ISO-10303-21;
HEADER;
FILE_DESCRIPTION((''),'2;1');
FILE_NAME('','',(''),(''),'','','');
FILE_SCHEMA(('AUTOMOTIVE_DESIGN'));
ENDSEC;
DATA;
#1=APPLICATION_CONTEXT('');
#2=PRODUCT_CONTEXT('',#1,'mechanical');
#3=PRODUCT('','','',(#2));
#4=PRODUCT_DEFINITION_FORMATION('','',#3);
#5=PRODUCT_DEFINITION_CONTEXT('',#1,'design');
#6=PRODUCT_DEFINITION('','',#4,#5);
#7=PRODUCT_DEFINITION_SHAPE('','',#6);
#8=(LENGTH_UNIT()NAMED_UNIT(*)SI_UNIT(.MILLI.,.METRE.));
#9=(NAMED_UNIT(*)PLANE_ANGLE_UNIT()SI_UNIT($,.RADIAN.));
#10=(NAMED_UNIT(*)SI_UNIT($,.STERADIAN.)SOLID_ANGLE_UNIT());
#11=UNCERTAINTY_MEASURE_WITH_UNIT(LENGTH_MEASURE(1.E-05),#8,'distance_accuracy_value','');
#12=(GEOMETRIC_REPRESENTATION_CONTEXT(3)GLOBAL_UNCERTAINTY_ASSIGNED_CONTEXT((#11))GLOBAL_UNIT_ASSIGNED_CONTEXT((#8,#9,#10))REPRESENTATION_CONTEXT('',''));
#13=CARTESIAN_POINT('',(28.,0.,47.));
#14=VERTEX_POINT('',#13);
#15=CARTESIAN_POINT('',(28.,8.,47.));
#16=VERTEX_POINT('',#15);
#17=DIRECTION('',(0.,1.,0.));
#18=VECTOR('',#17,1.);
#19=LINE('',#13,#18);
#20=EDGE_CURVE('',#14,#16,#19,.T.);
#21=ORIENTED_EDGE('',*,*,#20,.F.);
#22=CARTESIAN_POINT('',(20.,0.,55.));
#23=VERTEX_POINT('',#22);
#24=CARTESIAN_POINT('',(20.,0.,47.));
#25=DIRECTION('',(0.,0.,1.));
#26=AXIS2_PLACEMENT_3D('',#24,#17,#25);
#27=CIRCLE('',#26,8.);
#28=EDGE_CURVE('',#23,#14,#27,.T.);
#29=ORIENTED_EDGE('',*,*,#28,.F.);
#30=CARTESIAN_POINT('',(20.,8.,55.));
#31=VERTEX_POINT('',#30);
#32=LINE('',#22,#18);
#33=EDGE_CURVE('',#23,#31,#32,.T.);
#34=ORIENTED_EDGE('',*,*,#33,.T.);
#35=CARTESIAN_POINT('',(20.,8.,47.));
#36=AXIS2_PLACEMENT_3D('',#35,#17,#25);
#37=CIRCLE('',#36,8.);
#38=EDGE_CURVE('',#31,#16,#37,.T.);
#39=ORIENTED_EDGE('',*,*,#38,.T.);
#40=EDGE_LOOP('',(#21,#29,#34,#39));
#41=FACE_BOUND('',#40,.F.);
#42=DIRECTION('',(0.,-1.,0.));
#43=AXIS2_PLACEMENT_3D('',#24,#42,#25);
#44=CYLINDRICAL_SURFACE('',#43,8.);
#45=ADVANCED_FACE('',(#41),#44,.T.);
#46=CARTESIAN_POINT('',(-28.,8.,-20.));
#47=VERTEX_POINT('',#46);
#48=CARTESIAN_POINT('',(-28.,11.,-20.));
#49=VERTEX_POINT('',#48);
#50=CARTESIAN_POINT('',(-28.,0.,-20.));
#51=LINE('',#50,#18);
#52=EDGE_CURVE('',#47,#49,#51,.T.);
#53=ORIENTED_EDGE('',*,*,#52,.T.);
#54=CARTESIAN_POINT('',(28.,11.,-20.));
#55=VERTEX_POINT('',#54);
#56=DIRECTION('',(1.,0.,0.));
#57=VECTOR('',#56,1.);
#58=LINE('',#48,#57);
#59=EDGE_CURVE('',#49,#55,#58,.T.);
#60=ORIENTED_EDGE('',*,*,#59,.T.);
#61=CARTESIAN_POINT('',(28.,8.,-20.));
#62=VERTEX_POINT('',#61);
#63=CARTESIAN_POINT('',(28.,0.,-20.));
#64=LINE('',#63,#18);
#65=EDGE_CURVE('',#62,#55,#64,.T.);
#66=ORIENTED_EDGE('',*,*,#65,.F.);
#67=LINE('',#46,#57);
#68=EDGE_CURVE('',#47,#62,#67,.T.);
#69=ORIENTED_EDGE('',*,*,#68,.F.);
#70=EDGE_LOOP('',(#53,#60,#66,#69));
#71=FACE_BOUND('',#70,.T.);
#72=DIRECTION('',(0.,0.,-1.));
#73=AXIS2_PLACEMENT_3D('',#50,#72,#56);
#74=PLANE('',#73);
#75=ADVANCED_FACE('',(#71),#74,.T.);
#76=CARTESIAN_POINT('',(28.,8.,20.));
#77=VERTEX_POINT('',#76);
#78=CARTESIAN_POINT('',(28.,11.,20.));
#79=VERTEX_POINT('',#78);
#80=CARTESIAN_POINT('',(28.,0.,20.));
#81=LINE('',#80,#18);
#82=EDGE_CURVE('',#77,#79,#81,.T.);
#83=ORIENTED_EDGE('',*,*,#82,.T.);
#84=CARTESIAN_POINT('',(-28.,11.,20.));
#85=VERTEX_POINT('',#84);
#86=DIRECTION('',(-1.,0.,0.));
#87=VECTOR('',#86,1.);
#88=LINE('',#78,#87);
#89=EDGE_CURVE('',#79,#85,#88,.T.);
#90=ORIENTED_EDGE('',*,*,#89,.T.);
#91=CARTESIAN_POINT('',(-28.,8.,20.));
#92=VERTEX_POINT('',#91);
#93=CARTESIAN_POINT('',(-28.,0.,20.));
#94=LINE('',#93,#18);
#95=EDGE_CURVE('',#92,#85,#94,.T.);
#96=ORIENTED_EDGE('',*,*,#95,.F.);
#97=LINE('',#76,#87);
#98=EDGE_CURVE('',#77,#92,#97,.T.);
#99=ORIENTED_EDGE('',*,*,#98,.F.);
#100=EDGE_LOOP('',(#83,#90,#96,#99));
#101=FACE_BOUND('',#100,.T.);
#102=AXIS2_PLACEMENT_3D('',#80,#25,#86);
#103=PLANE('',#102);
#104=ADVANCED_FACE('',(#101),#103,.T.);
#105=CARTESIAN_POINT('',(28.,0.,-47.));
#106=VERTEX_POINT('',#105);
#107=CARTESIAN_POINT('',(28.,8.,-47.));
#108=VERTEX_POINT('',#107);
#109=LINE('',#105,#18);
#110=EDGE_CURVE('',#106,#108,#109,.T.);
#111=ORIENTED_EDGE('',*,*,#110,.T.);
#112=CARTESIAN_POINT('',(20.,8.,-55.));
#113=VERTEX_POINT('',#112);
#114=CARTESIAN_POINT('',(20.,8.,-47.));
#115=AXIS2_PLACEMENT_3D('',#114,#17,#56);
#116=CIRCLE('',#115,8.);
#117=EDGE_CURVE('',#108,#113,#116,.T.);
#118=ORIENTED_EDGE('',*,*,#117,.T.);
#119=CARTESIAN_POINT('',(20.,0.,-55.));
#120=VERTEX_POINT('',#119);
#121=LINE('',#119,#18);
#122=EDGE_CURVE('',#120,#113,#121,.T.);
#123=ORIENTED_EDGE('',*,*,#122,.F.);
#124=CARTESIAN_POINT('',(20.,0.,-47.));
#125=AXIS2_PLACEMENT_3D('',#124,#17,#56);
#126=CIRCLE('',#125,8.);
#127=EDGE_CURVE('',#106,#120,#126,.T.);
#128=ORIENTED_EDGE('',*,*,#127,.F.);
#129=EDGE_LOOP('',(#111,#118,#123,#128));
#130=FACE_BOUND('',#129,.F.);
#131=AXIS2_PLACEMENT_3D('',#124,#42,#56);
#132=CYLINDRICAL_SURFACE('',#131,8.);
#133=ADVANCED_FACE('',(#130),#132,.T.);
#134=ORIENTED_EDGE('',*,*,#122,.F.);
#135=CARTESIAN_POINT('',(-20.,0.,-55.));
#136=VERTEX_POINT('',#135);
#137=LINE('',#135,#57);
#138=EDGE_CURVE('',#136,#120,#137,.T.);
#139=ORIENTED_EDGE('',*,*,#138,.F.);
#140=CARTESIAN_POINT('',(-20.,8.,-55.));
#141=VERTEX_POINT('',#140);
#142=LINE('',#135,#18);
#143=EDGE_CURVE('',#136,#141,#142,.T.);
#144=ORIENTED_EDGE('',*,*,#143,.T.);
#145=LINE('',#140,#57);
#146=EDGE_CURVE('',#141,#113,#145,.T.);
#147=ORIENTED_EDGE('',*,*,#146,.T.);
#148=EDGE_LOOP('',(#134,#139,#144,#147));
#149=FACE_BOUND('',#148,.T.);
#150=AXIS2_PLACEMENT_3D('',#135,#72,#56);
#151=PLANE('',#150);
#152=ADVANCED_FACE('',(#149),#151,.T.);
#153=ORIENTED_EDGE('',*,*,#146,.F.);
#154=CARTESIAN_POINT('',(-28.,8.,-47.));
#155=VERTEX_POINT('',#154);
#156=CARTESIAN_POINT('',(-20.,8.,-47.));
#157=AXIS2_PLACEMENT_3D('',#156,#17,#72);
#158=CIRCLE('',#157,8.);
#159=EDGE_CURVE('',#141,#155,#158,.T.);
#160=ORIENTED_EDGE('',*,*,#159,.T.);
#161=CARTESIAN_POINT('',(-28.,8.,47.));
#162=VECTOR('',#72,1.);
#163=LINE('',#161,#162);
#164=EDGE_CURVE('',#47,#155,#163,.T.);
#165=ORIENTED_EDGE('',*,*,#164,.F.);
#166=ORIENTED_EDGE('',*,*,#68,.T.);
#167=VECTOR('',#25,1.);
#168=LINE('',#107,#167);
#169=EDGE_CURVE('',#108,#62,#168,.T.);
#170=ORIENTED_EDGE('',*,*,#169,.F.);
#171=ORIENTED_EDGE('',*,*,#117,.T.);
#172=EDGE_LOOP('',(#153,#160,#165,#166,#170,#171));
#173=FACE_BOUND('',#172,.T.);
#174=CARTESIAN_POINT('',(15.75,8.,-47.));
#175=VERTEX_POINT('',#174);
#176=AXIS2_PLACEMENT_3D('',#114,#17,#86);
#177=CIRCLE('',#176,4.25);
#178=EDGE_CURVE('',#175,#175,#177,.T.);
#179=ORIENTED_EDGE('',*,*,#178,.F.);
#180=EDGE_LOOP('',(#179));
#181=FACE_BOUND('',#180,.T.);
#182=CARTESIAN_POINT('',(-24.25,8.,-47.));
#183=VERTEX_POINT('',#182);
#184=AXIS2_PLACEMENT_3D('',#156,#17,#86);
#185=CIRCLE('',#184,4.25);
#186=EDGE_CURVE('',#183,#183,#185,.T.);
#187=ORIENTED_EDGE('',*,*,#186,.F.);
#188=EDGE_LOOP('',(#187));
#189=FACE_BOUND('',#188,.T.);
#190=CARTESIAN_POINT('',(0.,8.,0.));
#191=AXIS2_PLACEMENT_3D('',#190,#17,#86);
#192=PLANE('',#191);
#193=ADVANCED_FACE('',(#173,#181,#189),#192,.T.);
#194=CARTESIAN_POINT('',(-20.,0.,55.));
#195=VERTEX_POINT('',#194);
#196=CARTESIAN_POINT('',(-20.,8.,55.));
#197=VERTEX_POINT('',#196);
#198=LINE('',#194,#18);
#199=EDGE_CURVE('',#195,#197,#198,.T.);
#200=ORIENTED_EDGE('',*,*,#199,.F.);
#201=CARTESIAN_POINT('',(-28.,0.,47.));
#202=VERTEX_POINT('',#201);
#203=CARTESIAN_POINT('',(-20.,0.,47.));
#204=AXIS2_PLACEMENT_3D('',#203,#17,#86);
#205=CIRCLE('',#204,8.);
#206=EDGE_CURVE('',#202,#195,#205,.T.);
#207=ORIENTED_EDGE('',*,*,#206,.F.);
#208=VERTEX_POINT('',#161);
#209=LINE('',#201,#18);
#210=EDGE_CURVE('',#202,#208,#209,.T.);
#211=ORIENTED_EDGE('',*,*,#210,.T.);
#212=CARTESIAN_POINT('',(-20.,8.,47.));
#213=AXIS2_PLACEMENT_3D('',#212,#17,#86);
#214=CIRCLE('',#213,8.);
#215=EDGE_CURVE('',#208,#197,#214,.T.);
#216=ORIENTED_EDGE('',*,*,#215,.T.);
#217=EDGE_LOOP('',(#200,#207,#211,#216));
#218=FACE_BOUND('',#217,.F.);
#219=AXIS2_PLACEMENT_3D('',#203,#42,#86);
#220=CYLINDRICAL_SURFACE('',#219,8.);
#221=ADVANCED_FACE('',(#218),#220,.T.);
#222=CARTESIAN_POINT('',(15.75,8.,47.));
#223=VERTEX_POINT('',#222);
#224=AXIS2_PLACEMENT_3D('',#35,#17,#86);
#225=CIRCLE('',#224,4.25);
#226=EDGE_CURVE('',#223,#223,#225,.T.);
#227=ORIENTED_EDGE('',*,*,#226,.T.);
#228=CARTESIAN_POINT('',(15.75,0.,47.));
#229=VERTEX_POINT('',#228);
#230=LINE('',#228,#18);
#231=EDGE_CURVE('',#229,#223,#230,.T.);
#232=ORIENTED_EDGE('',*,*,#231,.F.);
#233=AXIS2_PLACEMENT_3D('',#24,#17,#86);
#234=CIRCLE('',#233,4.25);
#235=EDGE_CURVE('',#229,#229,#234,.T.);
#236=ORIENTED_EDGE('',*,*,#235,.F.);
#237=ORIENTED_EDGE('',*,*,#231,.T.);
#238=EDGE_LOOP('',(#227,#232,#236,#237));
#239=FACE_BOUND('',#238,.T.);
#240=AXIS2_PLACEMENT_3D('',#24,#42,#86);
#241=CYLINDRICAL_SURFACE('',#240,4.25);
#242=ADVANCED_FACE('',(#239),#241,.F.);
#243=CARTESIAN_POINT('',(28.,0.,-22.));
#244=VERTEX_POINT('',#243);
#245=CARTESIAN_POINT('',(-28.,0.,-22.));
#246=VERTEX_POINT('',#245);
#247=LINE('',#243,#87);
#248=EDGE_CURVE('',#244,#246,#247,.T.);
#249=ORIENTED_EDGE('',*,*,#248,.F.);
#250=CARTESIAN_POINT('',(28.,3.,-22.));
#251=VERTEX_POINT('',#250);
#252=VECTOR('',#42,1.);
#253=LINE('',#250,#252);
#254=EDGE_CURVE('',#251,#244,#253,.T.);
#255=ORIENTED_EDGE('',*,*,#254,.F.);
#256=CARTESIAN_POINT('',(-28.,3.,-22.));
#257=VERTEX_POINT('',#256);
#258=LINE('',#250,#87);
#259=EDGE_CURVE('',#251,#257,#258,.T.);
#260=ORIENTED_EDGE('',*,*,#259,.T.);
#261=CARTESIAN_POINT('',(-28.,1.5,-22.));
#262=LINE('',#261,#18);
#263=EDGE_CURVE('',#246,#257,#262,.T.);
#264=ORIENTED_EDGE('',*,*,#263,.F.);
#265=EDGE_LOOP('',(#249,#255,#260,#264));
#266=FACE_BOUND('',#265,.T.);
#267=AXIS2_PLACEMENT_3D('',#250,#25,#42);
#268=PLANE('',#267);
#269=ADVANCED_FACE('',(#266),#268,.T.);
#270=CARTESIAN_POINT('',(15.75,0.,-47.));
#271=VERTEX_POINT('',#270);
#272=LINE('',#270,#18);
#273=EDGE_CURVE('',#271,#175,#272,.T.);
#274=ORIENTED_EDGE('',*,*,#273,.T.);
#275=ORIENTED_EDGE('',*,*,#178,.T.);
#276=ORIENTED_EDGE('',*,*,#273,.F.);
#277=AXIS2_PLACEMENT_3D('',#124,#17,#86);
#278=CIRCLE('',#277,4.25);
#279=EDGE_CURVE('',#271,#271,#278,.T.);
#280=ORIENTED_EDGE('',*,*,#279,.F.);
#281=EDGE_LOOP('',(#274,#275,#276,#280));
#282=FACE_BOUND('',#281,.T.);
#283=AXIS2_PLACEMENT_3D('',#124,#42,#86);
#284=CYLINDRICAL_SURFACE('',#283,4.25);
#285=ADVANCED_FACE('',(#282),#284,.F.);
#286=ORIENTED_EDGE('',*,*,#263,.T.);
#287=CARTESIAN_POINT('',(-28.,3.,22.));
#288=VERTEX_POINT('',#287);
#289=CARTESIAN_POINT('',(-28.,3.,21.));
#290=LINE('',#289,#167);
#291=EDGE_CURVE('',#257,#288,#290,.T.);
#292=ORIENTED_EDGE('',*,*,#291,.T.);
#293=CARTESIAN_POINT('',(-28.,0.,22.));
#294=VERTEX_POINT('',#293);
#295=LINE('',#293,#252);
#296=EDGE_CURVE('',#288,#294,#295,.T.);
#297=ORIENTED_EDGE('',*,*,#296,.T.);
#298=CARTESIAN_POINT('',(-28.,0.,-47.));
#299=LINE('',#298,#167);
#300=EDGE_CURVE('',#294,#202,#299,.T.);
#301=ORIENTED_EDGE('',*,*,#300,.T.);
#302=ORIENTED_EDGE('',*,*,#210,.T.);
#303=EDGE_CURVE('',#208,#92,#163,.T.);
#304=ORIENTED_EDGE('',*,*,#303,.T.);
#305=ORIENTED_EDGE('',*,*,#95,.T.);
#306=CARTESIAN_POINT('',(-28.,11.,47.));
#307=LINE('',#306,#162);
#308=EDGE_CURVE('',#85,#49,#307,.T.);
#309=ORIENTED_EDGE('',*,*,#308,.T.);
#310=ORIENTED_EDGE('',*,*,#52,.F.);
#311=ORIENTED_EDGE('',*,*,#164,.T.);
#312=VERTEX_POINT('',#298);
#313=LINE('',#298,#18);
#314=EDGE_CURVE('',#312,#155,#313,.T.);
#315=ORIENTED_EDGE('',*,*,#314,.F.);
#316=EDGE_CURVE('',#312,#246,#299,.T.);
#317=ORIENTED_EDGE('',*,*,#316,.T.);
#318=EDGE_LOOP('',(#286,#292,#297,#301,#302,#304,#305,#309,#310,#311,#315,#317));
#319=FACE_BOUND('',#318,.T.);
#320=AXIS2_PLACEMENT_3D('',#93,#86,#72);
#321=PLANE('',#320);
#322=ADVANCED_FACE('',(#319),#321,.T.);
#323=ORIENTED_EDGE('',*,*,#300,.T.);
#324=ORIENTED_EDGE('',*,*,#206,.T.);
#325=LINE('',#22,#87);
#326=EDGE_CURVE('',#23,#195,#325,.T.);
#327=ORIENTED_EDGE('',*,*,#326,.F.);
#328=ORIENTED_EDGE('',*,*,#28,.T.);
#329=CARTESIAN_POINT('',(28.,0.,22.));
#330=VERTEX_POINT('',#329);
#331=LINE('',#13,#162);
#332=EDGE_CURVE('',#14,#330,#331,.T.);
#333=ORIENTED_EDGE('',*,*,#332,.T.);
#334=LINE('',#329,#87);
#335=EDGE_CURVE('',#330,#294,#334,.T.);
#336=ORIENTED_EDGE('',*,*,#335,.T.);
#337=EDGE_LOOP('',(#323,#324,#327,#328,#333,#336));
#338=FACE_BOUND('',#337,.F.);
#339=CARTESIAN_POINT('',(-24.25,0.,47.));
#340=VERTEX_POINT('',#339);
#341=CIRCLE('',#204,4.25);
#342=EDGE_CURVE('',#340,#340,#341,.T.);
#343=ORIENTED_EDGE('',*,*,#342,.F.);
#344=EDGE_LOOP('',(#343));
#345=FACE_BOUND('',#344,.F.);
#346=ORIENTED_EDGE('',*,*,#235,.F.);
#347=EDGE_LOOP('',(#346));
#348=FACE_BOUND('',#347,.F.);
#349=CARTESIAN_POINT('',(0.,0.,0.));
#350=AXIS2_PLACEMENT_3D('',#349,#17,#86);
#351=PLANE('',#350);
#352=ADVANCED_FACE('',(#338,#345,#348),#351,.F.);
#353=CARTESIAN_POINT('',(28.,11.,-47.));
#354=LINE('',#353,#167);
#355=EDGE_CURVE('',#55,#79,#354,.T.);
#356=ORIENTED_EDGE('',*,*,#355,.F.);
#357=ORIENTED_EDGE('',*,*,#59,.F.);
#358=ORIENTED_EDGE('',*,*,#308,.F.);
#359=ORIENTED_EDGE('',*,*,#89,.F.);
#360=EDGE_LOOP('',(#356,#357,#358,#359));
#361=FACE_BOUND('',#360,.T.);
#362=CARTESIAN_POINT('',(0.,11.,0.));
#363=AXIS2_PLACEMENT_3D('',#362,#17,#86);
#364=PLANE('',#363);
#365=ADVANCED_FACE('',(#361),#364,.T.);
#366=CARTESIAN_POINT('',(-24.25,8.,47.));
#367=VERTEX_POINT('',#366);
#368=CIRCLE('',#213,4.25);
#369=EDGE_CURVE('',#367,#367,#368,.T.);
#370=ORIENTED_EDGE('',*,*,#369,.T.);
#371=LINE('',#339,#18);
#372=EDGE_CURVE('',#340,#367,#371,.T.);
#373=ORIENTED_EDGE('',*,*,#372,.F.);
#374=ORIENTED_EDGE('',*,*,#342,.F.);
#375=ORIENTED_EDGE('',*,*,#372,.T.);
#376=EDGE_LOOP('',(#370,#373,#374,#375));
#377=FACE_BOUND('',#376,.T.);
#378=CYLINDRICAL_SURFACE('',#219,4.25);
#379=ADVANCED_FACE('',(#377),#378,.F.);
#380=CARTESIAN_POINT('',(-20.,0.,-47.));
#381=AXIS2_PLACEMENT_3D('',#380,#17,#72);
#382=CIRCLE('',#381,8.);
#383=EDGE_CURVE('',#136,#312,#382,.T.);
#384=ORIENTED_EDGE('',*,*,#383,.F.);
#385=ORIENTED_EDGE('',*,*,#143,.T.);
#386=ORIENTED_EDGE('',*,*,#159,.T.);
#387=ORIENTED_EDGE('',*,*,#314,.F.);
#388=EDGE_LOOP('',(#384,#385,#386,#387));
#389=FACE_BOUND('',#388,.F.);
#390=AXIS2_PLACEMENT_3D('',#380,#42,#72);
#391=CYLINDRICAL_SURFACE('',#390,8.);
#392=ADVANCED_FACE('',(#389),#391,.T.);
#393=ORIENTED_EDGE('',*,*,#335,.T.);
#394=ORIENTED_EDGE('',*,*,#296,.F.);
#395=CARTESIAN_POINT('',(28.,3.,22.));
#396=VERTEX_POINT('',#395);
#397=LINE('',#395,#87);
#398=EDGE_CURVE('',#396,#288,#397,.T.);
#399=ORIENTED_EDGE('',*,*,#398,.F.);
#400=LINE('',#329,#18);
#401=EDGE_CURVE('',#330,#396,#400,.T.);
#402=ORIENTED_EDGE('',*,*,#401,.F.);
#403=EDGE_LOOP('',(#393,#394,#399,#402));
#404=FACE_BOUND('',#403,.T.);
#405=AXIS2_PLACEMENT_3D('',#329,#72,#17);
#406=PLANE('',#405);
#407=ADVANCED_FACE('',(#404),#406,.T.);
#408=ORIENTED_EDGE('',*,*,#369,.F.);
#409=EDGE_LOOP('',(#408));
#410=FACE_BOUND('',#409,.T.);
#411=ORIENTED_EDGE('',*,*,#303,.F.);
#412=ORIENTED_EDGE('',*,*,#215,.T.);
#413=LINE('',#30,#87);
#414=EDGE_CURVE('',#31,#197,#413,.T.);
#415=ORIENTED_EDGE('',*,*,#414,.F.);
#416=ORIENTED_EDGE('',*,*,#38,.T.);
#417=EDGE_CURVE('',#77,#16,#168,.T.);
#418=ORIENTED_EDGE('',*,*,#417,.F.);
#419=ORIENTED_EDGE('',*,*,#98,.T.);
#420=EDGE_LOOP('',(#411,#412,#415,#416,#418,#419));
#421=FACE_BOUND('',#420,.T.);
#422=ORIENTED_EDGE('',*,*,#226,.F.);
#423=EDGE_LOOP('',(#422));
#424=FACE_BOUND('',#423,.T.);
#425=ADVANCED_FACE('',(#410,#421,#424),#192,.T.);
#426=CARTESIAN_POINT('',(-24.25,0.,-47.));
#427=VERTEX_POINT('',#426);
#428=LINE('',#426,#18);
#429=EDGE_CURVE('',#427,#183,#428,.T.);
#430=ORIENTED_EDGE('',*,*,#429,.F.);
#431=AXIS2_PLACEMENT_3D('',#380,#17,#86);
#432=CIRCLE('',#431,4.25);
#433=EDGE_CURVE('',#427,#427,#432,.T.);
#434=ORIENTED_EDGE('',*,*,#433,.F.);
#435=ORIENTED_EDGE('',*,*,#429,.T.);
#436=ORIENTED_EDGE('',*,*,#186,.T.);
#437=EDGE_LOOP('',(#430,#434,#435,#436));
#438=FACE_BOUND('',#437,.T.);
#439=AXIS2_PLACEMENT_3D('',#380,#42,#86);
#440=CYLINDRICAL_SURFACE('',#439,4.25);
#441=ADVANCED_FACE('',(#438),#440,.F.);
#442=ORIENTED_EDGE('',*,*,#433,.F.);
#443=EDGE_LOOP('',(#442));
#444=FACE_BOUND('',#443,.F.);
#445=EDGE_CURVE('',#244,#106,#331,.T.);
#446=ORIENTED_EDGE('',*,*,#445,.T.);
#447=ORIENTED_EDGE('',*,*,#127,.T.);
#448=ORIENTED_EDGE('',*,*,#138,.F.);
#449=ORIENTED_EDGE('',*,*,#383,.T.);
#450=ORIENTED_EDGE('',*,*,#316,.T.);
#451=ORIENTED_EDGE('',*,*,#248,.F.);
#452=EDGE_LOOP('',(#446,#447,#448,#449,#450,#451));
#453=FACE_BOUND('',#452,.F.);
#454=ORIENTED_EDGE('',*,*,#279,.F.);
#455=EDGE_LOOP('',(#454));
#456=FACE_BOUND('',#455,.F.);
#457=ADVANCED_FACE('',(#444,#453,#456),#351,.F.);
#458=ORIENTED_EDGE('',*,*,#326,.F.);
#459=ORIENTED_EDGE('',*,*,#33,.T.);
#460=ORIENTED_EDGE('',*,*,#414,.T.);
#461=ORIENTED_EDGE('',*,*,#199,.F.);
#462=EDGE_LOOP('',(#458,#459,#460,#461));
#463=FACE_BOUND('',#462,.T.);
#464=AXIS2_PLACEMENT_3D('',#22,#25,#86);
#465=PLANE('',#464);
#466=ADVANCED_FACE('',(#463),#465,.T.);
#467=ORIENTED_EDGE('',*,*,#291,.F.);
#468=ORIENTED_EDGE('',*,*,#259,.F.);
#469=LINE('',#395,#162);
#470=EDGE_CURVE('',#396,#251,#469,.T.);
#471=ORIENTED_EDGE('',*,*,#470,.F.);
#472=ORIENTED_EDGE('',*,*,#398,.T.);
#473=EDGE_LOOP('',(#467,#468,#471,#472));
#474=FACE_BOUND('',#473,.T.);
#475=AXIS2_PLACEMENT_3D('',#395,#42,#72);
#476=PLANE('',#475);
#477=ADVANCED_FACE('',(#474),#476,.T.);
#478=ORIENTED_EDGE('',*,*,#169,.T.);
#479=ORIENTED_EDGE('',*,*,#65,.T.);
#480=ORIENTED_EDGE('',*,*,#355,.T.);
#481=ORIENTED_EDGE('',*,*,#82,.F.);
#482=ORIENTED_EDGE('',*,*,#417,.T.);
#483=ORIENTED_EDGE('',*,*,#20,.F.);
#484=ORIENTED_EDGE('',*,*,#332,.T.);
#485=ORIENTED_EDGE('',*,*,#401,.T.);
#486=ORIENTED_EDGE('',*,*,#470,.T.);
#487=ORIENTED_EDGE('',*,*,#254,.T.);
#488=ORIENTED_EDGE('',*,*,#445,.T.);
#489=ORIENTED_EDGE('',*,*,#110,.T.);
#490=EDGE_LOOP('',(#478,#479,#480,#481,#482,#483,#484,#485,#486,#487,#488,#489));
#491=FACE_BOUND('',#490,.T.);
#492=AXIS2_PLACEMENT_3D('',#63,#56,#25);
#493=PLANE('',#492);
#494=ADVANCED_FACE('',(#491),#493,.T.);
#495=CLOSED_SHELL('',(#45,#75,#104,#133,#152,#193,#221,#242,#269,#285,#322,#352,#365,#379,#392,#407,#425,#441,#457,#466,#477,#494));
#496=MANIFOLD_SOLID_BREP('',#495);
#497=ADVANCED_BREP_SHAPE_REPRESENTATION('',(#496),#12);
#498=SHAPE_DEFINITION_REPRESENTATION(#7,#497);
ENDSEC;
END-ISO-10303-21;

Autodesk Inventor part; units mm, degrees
ref_plane "YZ Plane" through (0, 0, 0) normal (1, 0, 0) x (0, 1, 0)
ref_plane "XZ Plane" through (0, 0, 0) normal (0, 1, 0) x (-1, 0, 0)
ref_plane "XY Plane" through (0, 0, 0) normal (0, 0, 1) x (1, 0, 0)
sketch "Boceto1" plane through (0, 0, 0) normal (0, 1, 0) x (-1, 0, 0)
  line L0 (-20, 55) -> (20, 55)
  line L1 (28, 47) -> (28, -47)
  line L2 (20, -55) -> (-20, -55)
  line L3 (-28, -47) -> (-28, 47)
  line L4 (-28, 55) -> (28, -55) construction
  line L5 (28, 55) -> (-28, -55) construction
  arc A0 (28, 47) -> (20, 55) centre (20, 47) ccw
  arc A1 (20, -55) -> (28, -47) centre (20, -47) ccw
  arc A2 (-28, -47) -> (-20, -55) centre (-20, -47) ccw
  arc A3 (-20, 55) -> (-28, 47) centre (-20, 47) ccw
  circle A4 centre (20, 47) radius 4.25
  circle A5 centre (-20, 47) radius 4.25
  circle A6 centre (20, -47) radius 4.25
  circle A7 centre (-20, -47) radius 4.25
  line L6 (-28, 20) -> (28, 20)
  line L7 (28, 20) -> (28, -20)
  line L8 (28, -20) -> (-28, -20)
  line L9 (-28, -20) -> (-28, 20)
  line L10 (-28, 20) -> (28, -20) construction
  line L11 (28, 20) -> (-28, -20) construction
  point P0 (0, 0)
  dimension "d0" = 56
  dimension "d1" = 110
  dimension "d2" = 8
  dimension "d3" = 8.5
  dimension "d4" = 8.5
  dimension "d5" = 8.5
  dimension "d6" = 8.5
  dimension "d7" = 56
  dimension "d8" = 40
extrude "Extrusión1" add sketch "Boceto1" along normal blind 8 contours L0 A0 L1 L6 L3 A3 | L8 L1 A1 L2 A2 L3
extrude "Extrusión2" add sketch "Boceto1" along normal blind 11 contours L6 L1 L8 L3
sketch "Boceto2" plane through (28, 0, 47) normal (1, 0, 0) x (0, 0, -1)
  line L0 (25, 3) -> (69, 3)
  line L1 (69, 3) -> (69, 0)
  line L2 (69, 0) -> (25, 0)
  line L3 (25, 0) -> (25, 3)
  line L4 (0, 0) -> (94, 0) projected
  point P0 (47, 0)
  point P1 (47, 0)
  dimension "d13" = 44
  dimension "d14" = 3
extrude "Extrusión3" cut sketch "Boceto2" against normal through all
properties part number "Base polea"
